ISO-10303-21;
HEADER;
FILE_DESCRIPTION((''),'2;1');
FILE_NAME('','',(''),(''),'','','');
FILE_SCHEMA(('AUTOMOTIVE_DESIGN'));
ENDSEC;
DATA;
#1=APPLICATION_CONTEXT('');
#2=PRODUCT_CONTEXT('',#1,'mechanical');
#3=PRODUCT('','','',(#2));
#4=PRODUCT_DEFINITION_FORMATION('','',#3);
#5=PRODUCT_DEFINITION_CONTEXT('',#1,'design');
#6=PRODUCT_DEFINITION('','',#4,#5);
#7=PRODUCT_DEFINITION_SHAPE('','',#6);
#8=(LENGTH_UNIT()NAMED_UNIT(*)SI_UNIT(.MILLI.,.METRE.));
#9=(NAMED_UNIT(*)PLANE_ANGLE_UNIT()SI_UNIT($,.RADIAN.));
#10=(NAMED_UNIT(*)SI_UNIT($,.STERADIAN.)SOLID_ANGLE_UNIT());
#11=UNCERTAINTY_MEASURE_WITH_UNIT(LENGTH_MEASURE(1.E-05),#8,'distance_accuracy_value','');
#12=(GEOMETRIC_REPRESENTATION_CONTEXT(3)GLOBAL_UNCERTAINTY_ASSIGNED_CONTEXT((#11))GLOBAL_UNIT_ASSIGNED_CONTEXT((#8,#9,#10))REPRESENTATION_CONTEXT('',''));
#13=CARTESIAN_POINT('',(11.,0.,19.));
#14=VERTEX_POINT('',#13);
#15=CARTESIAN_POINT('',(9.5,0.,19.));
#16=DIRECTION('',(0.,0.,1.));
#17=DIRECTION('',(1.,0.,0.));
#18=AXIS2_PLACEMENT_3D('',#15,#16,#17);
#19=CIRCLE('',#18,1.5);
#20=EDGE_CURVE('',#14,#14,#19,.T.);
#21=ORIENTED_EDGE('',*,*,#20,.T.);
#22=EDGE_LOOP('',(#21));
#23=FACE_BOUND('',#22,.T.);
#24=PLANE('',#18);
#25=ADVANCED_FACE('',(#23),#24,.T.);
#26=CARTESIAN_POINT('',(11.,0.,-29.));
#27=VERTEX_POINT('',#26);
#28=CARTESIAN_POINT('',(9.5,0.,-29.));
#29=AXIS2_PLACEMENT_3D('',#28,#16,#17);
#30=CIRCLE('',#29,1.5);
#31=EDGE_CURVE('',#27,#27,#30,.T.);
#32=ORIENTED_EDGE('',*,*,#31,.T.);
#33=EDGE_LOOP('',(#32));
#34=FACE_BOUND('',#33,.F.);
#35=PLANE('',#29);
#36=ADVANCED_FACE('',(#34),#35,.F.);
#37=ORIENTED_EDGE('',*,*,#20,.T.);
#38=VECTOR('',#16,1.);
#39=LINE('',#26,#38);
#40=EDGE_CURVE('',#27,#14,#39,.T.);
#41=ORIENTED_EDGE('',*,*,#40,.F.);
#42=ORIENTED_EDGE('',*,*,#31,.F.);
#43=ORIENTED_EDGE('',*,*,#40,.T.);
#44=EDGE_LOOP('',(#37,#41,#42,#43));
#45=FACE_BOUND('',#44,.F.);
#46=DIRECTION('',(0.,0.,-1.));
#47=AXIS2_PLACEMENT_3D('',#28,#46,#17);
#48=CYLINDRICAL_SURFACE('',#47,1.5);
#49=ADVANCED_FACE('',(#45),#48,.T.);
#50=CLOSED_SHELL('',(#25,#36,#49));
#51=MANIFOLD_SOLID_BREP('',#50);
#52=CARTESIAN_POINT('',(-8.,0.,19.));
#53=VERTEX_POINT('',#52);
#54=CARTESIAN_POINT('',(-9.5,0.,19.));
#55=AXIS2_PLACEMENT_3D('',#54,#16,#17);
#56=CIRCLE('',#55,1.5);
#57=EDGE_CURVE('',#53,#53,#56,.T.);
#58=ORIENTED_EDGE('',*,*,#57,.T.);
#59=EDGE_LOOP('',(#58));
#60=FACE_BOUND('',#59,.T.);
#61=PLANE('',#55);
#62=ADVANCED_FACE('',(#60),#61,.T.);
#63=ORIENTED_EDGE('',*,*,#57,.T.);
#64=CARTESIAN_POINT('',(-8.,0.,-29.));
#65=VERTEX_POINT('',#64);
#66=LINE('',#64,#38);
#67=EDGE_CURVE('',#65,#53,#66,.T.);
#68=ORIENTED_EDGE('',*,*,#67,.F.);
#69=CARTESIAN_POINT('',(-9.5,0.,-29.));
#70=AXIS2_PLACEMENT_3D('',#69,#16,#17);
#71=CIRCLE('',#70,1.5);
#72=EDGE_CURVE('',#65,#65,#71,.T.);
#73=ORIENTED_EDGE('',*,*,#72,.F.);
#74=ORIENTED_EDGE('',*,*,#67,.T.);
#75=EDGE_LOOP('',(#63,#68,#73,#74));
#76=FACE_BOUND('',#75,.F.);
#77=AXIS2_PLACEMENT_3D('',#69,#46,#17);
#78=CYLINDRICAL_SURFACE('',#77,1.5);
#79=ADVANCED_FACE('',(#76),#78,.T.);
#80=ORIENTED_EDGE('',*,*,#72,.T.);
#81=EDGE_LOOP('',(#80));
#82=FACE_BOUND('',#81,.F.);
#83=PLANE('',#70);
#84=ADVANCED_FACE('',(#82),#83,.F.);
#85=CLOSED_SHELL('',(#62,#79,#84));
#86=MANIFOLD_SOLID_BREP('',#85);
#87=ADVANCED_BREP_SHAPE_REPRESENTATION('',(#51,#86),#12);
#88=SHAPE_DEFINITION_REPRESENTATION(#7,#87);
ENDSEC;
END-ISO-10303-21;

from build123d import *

# Parameters (mm, degrees)
BOSS_EXTRUDE1_DEPTH        = 19
BOSS_EXTRUDE1_DEPTH_BACK   = 29
SKETCH1_R                  = 1.5
BOSS_EXTRUDE1_2_DEPTH      = 19
BOSS_EXTRUDE1_2_DEPTH_BACK = 29


with BuildPart() as part:
    # Sketch1 → Boss-Extrude1 (new, two sides: drawn at the far end of the back side and taken through both)
    with BuildSketch(Plane.XY.offset(-BOSS_EXTRUDE1_DEPTH_BACK)):
        with Locations((-9.5, 0)):
            Circle(SKETCH1_R)
    extrude(amount=BOSS_EXTRUDE1_DEPTH + BOSS_EXTRUDE1_DEPTH_BACK)


with BuildPart() as body_2:
    # Sketch1 → Boss-Extrude1 2 (new, two sides: drawn at the far end of the back side and taken through both)
    with BuildSketch(Plane.XY.offset(-BOSS_EXTRUDE1_2_DEPTH_BACK)):
        with Locations((9.5, 0)):
            Circle(SKETCH1_R)
    extrude(amount=BOSS_EXTRUDE1_2_DEPTH + BOSS_EXTRUDE1_2_DEPTH_BACK)


solid = Compound([part.part, body_2.part])
